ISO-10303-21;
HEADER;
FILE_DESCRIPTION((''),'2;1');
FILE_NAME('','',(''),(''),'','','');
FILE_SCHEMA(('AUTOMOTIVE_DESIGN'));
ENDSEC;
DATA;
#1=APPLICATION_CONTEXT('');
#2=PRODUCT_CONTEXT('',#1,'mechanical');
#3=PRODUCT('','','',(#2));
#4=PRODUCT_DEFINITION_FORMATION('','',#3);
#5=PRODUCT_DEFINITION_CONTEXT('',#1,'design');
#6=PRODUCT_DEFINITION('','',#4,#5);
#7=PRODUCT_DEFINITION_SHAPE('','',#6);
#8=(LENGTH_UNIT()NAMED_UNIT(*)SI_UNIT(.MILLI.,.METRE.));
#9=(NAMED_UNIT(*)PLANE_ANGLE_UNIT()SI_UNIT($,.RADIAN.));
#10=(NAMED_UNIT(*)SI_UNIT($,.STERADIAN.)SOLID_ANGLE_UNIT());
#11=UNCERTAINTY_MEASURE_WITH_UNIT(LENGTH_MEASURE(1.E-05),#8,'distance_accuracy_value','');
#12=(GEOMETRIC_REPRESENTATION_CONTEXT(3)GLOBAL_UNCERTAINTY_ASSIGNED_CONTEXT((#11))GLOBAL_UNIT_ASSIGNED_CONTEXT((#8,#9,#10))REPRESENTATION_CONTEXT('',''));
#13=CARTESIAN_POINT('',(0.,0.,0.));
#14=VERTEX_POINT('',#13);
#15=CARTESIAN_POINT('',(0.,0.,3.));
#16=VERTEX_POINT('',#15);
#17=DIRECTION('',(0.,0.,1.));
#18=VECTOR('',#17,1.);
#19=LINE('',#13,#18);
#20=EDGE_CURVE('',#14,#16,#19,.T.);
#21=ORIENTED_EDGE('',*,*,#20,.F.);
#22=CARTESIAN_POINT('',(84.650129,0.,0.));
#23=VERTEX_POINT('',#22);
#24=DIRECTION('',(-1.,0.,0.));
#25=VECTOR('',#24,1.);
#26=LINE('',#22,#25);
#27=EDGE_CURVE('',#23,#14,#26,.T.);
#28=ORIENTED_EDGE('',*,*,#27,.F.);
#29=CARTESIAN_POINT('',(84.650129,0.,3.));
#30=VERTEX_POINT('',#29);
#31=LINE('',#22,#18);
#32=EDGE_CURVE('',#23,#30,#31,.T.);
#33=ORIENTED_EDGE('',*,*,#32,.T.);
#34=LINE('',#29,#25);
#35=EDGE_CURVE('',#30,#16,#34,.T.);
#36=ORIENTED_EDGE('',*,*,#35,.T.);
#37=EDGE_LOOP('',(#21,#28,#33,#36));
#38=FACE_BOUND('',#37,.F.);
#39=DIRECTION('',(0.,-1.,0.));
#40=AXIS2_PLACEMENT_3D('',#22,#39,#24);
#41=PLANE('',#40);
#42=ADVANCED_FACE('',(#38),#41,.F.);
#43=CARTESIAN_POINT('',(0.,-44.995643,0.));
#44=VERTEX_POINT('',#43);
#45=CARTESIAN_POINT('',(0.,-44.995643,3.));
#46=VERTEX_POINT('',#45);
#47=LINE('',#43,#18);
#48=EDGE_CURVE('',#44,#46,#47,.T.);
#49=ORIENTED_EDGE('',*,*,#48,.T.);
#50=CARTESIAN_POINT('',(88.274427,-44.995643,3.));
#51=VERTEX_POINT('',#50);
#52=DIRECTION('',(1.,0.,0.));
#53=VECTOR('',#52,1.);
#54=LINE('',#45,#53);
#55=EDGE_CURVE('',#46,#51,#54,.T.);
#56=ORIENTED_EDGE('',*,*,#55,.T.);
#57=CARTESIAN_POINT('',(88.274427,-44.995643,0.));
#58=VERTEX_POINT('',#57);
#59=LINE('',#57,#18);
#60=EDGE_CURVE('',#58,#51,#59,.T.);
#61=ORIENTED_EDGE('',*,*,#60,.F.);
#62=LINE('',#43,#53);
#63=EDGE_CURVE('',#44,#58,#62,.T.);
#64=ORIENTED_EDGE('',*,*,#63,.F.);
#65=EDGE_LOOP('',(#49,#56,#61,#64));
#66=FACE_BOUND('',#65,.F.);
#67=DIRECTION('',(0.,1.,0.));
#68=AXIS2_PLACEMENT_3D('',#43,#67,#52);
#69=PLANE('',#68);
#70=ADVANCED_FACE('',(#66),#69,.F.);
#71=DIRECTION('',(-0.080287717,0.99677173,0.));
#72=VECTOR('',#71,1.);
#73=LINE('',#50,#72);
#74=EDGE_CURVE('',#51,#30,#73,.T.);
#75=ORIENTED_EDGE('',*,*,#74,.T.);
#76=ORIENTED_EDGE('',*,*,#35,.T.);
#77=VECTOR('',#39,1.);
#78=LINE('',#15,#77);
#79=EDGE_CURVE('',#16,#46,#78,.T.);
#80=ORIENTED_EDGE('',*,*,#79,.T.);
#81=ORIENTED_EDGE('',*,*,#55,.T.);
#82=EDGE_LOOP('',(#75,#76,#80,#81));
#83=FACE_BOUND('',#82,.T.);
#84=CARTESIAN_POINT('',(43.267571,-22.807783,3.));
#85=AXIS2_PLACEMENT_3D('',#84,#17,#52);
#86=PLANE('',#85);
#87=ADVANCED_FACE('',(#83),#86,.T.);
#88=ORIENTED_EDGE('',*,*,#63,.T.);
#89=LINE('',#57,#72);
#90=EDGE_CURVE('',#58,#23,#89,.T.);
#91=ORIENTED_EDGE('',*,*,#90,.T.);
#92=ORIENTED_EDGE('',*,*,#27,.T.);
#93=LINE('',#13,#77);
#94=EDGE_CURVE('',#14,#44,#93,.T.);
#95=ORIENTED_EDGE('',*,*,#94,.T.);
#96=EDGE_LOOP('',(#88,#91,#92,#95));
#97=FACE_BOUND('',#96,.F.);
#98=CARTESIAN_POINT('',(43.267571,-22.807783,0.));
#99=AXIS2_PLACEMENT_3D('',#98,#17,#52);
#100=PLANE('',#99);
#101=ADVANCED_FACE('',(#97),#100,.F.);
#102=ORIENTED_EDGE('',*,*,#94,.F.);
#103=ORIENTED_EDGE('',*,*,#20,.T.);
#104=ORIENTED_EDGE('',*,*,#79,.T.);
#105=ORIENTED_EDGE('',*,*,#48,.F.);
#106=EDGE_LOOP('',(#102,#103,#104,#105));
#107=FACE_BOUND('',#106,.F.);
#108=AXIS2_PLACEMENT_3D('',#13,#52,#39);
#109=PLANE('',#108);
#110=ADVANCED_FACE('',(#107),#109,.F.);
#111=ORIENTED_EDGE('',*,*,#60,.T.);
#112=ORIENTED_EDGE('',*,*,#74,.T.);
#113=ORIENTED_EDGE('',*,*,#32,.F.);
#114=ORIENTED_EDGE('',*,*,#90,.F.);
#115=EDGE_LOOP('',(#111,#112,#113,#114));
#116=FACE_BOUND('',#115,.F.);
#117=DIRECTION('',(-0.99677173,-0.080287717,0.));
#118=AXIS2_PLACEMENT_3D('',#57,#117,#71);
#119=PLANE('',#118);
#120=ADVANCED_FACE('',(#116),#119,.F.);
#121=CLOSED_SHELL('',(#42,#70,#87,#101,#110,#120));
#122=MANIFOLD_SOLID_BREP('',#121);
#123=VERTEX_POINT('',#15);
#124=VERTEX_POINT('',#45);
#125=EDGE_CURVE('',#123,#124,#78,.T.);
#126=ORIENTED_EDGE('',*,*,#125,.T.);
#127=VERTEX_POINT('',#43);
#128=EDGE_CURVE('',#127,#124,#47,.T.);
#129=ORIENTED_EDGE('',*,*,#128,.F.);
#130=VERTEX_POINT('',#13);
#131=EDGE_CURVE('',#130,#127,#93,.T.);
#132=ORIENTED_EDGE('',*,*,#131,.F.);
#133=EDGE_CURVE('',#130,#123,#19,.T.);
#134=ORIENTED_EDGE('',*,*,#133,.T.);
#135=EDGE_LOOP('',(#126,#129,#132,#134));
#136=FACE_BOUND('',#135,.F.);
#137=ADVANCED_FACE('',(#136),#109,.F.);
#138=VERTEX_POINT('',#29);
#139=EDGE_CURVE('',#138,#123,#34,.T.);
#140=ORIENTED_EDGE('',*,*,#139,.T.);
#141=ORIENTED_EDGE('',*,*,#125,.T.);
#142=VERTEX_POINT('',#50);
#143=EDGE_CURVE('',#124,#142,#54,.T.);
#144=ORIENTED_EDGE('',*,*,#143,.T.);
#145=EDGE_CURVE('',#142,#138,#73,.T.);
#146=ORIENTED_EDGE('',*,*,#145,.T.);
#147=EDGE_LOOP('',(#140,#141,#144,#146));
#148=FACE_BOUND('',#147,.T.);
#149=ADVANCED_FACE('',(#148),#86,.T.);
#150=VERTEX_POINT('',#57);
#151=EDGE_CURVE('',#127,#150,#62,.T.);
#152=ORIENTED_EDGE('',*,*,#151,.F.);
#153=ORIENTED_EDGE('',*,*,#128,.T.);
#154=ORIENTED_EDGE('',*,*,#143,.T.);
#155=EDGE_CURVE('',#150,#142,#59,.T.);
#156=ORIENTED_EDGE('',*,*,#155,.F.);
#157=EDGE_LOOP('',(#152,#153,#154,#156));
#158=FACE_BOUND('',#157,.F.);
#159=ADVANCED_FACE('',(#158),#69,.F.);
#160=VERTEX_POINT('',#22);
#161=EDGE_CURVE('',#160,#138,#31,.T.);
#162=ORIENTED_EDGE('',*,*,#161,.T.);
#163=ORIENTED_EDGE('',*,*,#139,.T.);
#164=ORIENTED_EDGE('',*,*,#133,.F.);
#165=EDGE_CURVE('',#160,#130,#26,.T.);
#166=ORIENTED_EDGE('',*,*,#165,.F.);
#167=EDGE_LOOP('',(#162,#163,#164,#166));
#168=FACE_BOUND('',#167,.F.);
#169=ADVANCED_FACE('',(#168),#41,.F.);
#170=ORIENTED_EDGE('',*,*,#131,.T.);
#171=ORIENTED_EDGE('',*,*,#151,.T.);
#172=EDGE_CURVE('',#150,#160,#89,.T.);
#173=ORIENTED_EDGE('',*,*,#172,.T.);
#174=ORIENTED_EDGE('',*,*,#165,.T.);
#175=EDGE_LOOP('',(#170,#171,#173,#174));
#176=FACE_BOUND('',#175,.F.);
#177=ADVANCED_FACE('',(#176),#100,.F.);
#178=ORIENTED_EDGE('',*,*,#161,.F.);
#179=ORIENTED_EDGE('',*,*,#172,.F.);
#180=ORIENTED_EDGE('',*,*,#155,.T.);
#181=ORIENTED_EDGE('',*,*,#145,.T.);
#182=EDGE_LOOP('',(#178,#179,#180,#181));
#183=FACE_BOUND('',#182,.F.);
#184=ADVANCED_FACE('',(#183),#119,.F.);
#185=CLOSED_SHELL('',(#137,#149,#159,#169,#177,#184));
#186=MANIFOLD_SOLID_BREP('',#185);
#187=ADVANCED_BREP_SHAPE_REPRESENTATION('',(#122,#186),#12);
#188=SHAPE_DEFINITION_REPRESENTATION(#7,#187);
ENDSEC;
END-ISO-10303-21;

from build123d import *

# Parameters (mm, degrees)
F2_DEPTH = 3


with BuildPart() as f2:
    # F0 (on Top) → F2 (new body)
    with BuildSketch(Plane.XY):
        Polygon((88.2744267583, -44.9956431985), (84.6501290798, 0), (0, 0), (0, -44.9956431985), align=None)
    extrude(amount=F2_DEPTH)


with BuildPart() as f2b:
    # F1 (on face) → F2, piece 2 (new body)
    with BuildSketch(Plane.XY):
        Polygon((0, -44.9956431985), (88.2744267583, -44.9956431985), (84.6501290798, 0), (0, 0), align=None)
    extrude(amount=F2_DEPTH)


solid = Compound([f2.part, f2b.part])
